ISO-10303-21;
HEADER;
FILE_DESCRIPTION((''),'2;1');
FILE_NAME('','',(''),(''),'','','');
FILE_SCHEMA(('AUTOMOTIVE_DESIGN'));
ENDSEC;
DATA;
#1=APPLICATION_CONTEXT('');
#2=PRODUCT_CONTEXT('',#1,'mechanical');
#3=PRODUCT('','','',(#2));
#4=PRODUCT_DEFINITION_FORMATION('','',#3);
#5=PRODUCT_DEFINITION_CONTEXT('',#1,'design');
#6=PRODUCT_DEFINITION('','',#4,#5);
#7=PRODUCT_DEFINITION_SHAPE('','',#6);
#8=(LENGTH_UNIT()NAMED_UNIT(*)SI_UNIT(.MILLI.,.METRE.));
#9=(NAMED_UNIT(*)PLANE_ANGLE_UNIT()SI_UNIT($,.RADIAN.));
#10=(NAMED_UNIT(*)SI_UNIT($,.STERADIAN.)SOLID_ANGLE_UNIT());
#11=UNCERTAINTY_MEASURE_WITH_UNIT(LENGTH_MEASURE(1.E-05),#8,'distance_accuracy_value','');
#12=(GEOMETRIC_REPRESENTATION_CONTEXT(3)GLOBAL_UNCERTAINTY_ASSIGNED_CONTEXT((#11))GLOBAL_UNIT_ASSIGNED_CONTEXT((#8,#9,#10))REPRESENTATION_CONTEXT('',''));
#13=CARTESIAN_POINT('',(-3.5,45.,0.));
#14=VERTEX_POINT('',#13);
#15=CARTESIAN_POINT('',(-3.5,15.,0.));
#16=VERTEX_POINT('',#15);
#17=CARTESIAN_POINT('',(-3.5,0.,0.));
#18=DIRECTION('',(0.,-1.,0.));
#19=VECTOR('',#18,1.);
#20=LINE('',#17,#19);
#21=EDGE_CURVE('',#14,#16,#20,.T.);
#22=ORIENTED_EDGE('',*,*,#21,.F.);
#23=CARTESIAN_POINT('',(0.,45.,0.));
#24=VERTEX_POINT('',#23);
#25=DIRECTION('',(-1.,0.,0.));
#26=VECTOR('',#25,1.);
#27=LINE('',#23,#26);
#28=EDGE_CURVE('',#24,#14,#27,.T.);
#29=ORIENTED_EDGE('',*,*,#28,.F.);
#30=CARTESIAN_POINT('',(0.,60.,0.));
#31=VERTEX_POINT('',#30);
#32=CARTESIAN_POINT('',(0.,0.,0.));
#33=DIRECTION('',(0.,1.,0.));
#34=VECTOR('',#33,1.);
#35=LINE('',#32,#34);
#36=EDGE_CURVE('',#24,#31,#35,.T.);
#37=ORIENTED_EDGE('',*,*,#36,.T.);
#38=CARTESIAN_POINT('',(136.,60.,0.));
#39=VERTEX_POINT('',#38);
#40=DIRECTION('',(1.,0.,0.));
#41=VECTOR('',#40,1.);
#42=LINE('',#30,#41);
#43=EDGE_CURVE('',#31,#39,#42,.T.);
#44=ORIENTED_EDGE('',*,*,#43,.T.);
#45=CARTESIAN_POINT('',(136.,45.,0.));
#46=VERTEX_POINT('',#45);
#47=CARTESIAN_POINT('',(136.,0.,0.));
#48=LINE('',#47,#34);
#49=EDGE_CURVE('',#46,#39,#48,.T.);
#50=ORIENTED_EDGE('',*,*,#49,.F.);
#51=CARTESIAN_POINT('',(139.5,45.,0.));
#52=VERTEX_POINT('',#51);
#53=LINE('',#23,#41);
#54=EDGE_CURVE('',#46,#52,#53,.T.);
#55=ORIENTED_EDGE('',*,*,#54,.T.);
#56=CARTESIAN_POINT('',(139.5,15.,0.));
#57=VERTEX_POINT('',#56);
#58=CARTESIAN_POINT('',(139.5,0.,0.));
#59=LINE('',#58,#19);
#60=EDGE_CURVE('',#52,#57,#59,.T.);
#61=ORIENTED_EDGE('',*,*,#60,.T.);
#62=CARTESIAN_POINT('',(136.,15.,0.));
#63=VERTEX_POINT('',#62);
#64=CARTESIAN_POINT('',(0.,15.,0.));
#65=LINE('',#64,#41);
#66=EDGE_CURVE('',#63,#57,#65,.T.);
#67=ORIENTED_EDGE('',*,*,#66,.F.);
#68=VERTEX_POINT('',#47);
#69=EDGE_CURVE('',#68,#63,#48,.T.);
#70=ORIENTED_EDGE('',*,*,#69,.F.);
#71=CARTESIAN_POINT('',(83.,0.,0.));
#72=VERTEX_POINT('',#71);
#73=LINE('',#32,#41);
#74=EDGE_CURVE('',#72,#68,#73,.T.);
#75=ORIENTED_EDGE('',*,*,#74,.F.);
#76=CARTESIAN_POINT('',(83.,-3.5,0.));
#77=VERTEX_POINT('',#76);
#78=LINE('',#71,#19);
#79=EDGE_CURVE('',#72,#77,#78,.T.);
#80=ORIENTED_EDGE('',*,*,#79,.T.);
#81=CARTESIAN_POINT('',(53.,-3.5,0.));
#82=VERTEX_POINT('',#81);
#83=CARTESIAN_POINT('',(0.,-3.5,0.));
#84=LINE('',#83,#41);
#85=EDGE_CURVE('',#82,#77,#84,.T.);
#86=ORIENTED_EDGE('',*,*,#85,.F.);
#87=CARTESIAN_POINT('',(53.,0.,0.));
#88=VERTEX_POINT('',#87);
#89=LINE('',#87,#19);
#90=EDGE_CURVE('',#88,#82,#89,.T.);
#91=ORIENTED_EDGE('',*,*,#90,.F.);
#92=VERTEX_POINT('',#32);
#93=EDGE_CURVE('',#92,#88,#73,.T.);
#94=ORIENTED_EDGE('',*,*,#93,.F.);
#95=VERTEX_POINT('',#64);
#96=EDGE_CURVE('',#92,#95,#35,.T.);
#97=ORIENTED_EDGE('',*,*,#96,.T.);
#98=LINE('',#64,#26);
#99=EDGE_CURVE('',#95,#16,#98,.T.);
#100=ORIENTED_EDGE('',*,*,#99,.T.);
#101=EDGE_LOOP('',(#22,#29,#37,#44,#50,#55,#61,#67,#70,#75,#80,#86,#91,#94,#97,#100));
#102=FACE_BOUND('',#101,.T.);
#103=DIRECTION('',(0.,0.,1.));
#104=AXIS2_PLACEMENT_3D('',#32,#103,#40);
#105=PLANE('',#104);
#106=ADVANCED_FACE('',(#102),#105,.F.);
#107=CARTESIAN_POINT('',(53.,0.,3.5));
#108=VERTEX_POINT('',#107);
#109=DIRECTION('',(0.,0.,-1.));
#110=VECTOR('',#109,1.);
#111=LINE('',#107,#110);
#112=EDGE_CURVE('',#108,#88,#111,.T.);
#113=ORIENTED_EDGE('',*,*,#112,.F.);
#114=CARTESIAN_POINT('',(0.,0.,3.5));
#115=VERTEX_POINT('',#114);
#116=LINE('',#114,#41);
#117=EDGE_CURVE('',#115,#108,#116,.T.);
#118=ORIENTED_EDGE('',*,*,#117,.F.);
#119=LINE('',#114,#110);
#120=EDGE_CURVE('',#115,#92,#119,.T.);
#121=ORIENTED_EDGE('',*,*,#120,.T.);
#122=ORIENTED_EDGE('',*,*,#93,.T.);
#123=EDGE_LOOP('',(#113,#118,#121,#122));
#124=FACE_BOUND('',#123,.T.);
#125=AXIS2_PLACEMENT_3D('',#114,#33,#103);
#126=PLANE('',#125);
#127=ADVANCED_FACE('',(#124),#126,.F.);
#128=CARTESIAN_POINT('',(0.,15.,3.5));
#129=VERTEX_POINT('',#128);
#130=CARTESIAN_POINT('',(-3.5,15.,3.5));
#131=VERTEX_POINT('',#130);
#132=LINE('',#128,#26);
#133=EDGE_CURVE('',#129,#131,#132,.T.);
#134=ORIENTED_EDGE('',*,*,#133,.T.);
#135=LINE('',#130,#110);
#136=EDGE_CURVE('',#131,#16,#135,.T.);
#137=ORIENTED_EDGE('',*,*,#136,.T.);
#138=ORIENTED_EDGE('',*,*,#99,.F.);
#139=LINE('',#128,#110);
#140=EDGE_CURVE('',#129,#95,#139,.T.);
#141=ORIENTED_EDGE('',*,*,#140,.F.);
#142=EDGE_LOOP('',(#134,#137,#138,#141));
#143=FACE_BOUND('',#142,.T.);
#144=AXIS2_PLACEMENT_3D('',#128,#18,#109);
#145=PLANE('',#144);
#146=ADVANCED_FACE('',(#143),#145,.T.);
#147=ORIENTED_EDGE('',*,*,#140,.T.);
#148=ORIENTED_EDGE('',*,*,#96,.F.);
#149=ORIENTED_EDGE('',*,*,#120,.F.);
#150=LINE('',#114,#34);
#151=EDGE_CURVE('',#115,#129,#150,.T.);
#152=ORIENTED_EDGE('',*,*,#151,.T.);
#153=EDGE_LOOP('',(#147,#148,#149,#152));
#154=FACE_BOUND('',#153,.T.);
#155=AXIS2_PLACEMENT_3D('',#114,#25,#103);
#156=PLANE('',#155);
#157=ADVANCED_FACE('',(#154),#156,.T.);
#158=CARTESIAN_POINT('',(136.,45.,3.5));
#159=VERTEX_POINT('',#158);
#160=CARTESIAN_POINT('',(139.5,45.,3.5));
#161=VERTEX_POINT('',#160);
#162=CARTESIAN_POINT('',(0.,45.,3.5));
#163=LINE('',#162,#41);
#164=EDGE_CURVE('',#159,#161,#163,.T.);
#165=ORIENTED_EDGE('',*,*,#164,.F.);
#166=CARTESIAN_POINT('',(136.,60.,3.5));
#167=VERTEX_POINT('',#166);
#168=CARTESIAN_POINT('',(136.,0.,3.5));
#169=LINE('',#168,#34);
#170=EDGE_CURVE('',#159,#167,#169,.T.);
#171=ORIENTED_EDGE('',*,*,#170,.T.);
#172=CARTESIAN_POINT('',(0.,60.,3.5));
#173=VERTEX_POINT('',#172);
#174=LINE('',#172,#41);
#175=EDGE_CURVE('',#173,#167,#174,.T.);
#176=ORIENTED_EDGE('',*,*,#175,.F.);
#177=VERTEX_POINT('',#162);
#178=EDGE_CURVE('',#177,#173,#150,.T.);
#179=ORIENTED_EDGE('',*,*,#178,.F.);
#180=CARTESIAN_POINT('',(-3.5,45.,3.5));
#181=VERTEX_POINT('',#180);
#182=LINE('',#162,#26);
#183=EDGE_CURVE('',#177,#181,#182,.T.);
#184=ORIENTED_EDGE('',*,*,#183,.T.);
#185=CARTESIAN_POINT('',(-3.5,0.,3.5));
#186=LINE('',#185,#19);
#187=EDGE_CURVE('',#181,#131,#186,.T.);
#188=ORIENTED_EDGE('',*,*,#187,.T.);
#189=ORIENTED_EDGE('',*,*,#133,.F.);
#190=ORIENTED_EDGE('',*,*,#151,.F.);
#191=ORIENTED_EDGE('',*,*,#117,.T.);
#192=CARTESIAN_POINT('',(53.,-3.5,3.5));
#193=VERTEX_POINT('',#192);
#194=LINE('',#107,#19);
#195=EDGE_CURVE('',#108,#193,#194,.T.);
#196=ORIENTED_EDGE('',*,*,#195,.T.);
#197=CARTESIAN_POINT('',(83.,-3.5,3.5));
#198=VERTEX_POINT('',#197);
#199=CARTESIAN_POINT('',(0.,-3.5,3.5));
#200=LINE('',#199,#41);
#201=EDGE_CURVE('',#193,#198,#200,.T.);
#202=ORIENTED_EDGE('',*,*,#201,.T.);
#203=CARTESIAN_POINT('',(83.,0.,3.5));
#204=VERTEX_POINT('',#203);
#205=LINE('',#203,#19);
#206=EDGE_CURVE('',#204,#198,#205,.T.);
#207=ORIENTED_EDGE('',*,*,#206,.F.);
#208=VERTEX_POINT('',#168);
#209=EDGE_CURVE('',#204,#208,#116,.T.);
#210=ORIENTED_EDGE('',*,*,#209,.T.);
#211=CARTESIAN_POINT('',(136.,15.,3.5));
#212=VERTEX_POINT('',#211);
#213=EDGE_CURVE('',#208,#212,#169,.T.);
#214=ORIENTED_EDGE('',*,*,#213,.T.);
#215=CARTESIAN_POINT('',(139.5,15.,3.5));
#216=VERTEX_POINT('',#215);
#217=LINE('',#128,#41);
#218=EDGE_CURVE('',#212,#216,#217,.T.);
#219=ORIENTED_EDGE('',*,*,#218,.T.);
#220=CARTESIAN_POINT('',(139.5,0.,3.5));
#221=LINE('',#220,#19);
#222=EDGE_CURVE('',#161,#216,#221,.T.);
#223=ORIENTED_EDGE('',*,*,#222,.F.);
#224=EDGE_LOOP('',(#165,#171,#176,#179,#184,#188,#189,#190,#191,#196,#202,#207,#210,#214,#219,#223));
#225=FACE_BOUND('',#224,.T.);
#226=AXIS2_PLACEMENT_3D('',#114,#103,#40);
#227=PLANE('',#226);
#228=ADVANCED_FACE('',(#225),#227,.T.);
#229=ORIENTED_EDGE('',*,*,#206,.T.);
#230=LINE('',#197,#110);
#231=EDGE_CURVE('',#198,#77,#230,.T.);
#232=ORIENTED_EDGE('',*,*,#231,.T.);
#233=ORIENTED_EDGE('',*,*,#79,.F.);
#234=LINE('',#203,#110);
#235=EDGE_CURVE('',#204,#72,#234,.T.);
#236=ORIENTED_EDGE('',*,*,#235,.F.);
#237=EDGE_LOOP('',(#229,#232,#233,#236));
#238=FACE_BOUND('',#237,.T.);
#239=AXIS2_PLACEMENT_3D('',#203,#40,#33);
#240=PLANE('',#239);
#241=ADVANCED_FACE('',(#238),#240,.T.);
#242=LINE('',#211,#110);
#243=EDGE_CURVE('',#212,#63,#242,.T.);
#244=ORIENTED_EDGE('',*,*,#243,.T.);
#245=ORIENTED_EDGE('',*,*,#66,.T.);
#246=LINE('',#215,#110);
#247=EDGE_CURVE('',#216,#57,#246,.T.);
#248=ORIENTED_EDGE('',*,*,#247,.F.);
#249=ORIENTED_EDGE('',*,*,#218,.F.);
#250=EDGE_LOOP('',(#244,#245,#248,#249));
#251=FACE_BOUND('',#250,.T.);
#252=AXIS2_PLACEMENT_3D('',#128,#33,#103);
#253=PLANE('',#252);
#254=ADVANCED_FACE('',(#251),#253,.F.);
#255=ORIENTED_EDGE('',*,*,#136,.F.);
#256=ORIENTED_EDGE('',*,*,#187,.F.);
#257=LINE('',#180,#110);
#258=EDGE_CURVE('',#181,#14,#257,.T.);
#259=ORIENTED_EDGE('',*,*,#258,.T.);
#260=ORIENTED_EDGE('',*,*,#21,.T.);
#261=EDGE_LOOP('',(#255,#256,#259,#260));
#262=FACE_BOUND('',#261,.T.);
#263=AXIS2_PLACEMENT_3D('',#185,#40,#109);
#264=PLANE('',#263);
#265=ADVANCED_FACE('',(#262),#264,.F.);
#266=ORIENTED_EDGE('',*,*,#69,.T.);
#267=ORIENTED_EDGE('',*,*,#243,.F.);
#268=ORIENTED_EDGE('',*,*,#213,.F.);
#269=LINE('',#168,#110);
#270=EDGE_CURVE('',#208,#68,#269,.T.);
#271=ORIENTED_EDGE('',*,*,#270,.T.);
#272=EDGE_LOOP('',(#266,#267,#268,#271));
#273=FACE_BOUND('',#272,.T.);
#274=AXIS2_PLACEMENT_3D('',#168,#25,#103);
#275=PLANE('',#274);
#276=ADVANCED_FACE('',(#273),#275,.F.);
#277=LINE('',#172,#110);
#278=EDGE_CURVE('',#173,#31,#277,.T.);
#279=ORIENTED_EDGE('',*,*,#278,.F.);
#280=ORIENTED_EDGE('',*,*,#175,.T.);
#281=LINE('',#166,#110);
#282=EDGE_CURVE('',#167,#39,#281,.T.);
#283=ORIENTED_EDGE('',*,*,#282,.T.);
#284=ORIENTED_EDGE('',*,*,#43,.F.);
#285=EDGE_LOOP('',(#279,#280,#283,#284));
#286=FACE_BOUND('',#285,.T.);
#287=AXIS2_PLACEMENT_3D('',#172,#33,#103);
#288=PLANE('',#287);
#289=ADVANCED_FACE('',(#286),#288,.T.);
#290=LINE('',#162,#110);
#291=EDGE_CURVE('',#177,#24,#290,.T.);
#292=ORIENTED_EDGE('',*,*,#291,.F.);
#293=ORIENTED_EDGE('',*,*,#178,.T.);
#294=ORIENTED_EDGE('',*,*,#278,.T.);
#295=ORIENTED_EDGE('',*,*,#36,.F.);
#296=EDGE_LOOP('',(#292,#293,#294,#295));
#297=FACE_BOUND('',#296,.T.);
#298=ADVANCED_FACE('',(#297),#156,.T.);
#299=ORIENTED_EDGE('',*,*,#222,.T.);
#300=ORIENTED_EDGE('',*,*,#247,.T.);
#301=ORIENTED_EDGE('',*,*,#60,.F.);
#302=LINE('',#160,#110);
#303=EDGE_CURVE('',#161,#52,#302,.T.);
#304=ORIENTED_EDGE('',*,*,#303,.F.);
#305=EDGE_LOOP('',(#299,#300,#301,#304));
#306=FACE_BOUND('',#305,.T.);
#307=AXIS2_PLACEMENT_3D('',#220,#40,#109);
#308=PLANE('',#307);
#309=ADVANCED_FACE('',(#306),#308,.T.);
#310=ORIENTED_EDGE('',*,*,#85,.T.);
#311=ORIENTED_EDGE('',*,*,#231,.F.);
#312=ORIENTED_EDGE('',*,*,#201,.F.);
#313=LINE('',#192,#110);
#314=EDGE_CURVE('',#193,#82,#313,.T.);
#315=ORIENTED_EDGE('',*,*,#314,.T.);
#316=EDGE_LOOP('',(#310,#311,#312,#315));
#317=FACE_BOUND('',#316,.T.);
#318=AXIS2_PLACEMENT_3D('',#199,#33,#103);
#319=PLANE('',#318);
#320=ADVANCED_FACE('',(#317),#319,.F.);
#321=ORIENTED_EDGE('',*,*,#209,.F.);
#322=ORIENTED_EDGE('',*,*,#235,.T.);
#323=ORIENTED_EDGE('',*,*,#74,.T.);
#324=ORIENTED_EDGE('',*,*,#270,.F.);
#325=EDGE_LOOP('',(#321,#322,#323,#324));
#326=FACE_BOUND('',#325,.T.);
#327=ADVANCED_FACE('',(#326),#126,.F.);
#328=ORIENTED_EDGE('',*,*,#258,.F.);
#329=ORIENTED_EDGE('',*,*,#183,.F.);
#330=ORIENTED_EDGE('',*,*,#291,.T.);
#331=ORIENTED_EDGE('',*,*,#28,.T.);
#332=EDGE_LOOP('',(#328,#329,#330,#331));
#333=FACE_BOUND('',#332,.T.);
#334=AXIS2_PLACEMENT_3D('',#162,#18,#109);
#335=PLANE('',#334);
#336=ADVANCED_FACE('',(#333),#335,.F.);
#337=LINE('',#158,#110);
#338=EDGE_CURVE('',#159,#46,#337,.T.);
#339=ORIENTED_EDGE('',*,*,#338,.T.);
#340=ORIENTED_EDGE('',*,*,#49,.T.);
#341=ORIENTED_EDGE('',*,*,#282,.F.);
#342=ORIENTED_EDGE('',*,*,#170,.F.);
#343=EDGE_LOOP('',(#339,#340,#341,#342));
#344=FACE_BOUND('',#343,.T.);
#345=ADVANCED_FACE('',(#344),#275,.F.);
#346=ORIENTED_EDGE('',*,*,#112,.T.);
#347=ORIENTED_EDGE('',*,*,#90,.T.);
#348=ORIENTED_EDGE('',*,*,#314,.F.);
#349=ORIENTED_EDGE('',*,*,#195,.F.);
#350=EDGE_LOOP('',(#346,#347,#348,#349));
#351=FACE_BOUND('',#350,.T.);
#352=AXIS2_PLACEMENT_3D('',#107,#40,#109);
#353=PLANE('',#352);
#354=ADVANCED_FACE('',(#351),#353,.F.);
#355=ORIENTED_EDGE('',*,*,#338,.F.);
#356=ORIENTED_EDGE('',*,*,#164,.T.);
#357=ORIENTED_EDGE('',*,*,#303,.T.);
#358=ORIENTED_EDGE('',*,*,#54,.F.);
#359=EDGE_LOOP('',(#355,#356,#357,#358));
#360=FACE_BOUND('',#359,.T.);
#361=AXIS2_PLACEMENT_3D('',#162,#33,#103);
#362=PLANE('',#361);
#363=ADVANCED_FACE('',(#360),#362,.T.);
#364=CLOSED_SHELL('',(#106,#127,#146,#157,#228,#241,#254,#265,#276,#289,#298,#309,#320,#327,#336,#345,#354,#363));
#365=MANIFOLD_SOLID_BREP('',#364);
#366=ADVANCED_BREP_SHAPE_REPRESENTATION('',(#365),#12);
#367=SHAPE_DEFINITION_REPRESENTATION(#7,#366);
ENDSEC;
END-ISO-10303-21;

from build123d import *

# Parameters (mm, degrees)
SKETCH_1_W      = 136
SKETCH_1_H      = 60
SKETCH_1_W_2    = 3.5
SKETCH_1_H_2    = 30
SKETCH_1_W_3    = 30
SKETCH_1_H_3    = 3.5
EXTRUDE_1_DEPTH = 3.5


with BuildPart() as part:
    # Эскиз1 → Бобышка-Вытянуть1 (new body)
    with BuildSketch(Plane.XY):
        with Locations((68, 30)):
            Rectangle(SKETCH_1_W, SKETCH_1_H)
        with Locations((-1.75, 30)):
            Rectangle(SKETCH_1_W_2, SKETCH_1_H_2)
        with Locations((137.75, 30)):
            Rectangle(SKETCH_1_W_2, SKETCH_1_H_2)
        with Locations((68, -1.75)):
            Rectangle(SKETCH_1_W_3, SKETCH_1_H_3)
    extrude(amount=EXTRUDE_1_DEPTH)


solid = part.part
